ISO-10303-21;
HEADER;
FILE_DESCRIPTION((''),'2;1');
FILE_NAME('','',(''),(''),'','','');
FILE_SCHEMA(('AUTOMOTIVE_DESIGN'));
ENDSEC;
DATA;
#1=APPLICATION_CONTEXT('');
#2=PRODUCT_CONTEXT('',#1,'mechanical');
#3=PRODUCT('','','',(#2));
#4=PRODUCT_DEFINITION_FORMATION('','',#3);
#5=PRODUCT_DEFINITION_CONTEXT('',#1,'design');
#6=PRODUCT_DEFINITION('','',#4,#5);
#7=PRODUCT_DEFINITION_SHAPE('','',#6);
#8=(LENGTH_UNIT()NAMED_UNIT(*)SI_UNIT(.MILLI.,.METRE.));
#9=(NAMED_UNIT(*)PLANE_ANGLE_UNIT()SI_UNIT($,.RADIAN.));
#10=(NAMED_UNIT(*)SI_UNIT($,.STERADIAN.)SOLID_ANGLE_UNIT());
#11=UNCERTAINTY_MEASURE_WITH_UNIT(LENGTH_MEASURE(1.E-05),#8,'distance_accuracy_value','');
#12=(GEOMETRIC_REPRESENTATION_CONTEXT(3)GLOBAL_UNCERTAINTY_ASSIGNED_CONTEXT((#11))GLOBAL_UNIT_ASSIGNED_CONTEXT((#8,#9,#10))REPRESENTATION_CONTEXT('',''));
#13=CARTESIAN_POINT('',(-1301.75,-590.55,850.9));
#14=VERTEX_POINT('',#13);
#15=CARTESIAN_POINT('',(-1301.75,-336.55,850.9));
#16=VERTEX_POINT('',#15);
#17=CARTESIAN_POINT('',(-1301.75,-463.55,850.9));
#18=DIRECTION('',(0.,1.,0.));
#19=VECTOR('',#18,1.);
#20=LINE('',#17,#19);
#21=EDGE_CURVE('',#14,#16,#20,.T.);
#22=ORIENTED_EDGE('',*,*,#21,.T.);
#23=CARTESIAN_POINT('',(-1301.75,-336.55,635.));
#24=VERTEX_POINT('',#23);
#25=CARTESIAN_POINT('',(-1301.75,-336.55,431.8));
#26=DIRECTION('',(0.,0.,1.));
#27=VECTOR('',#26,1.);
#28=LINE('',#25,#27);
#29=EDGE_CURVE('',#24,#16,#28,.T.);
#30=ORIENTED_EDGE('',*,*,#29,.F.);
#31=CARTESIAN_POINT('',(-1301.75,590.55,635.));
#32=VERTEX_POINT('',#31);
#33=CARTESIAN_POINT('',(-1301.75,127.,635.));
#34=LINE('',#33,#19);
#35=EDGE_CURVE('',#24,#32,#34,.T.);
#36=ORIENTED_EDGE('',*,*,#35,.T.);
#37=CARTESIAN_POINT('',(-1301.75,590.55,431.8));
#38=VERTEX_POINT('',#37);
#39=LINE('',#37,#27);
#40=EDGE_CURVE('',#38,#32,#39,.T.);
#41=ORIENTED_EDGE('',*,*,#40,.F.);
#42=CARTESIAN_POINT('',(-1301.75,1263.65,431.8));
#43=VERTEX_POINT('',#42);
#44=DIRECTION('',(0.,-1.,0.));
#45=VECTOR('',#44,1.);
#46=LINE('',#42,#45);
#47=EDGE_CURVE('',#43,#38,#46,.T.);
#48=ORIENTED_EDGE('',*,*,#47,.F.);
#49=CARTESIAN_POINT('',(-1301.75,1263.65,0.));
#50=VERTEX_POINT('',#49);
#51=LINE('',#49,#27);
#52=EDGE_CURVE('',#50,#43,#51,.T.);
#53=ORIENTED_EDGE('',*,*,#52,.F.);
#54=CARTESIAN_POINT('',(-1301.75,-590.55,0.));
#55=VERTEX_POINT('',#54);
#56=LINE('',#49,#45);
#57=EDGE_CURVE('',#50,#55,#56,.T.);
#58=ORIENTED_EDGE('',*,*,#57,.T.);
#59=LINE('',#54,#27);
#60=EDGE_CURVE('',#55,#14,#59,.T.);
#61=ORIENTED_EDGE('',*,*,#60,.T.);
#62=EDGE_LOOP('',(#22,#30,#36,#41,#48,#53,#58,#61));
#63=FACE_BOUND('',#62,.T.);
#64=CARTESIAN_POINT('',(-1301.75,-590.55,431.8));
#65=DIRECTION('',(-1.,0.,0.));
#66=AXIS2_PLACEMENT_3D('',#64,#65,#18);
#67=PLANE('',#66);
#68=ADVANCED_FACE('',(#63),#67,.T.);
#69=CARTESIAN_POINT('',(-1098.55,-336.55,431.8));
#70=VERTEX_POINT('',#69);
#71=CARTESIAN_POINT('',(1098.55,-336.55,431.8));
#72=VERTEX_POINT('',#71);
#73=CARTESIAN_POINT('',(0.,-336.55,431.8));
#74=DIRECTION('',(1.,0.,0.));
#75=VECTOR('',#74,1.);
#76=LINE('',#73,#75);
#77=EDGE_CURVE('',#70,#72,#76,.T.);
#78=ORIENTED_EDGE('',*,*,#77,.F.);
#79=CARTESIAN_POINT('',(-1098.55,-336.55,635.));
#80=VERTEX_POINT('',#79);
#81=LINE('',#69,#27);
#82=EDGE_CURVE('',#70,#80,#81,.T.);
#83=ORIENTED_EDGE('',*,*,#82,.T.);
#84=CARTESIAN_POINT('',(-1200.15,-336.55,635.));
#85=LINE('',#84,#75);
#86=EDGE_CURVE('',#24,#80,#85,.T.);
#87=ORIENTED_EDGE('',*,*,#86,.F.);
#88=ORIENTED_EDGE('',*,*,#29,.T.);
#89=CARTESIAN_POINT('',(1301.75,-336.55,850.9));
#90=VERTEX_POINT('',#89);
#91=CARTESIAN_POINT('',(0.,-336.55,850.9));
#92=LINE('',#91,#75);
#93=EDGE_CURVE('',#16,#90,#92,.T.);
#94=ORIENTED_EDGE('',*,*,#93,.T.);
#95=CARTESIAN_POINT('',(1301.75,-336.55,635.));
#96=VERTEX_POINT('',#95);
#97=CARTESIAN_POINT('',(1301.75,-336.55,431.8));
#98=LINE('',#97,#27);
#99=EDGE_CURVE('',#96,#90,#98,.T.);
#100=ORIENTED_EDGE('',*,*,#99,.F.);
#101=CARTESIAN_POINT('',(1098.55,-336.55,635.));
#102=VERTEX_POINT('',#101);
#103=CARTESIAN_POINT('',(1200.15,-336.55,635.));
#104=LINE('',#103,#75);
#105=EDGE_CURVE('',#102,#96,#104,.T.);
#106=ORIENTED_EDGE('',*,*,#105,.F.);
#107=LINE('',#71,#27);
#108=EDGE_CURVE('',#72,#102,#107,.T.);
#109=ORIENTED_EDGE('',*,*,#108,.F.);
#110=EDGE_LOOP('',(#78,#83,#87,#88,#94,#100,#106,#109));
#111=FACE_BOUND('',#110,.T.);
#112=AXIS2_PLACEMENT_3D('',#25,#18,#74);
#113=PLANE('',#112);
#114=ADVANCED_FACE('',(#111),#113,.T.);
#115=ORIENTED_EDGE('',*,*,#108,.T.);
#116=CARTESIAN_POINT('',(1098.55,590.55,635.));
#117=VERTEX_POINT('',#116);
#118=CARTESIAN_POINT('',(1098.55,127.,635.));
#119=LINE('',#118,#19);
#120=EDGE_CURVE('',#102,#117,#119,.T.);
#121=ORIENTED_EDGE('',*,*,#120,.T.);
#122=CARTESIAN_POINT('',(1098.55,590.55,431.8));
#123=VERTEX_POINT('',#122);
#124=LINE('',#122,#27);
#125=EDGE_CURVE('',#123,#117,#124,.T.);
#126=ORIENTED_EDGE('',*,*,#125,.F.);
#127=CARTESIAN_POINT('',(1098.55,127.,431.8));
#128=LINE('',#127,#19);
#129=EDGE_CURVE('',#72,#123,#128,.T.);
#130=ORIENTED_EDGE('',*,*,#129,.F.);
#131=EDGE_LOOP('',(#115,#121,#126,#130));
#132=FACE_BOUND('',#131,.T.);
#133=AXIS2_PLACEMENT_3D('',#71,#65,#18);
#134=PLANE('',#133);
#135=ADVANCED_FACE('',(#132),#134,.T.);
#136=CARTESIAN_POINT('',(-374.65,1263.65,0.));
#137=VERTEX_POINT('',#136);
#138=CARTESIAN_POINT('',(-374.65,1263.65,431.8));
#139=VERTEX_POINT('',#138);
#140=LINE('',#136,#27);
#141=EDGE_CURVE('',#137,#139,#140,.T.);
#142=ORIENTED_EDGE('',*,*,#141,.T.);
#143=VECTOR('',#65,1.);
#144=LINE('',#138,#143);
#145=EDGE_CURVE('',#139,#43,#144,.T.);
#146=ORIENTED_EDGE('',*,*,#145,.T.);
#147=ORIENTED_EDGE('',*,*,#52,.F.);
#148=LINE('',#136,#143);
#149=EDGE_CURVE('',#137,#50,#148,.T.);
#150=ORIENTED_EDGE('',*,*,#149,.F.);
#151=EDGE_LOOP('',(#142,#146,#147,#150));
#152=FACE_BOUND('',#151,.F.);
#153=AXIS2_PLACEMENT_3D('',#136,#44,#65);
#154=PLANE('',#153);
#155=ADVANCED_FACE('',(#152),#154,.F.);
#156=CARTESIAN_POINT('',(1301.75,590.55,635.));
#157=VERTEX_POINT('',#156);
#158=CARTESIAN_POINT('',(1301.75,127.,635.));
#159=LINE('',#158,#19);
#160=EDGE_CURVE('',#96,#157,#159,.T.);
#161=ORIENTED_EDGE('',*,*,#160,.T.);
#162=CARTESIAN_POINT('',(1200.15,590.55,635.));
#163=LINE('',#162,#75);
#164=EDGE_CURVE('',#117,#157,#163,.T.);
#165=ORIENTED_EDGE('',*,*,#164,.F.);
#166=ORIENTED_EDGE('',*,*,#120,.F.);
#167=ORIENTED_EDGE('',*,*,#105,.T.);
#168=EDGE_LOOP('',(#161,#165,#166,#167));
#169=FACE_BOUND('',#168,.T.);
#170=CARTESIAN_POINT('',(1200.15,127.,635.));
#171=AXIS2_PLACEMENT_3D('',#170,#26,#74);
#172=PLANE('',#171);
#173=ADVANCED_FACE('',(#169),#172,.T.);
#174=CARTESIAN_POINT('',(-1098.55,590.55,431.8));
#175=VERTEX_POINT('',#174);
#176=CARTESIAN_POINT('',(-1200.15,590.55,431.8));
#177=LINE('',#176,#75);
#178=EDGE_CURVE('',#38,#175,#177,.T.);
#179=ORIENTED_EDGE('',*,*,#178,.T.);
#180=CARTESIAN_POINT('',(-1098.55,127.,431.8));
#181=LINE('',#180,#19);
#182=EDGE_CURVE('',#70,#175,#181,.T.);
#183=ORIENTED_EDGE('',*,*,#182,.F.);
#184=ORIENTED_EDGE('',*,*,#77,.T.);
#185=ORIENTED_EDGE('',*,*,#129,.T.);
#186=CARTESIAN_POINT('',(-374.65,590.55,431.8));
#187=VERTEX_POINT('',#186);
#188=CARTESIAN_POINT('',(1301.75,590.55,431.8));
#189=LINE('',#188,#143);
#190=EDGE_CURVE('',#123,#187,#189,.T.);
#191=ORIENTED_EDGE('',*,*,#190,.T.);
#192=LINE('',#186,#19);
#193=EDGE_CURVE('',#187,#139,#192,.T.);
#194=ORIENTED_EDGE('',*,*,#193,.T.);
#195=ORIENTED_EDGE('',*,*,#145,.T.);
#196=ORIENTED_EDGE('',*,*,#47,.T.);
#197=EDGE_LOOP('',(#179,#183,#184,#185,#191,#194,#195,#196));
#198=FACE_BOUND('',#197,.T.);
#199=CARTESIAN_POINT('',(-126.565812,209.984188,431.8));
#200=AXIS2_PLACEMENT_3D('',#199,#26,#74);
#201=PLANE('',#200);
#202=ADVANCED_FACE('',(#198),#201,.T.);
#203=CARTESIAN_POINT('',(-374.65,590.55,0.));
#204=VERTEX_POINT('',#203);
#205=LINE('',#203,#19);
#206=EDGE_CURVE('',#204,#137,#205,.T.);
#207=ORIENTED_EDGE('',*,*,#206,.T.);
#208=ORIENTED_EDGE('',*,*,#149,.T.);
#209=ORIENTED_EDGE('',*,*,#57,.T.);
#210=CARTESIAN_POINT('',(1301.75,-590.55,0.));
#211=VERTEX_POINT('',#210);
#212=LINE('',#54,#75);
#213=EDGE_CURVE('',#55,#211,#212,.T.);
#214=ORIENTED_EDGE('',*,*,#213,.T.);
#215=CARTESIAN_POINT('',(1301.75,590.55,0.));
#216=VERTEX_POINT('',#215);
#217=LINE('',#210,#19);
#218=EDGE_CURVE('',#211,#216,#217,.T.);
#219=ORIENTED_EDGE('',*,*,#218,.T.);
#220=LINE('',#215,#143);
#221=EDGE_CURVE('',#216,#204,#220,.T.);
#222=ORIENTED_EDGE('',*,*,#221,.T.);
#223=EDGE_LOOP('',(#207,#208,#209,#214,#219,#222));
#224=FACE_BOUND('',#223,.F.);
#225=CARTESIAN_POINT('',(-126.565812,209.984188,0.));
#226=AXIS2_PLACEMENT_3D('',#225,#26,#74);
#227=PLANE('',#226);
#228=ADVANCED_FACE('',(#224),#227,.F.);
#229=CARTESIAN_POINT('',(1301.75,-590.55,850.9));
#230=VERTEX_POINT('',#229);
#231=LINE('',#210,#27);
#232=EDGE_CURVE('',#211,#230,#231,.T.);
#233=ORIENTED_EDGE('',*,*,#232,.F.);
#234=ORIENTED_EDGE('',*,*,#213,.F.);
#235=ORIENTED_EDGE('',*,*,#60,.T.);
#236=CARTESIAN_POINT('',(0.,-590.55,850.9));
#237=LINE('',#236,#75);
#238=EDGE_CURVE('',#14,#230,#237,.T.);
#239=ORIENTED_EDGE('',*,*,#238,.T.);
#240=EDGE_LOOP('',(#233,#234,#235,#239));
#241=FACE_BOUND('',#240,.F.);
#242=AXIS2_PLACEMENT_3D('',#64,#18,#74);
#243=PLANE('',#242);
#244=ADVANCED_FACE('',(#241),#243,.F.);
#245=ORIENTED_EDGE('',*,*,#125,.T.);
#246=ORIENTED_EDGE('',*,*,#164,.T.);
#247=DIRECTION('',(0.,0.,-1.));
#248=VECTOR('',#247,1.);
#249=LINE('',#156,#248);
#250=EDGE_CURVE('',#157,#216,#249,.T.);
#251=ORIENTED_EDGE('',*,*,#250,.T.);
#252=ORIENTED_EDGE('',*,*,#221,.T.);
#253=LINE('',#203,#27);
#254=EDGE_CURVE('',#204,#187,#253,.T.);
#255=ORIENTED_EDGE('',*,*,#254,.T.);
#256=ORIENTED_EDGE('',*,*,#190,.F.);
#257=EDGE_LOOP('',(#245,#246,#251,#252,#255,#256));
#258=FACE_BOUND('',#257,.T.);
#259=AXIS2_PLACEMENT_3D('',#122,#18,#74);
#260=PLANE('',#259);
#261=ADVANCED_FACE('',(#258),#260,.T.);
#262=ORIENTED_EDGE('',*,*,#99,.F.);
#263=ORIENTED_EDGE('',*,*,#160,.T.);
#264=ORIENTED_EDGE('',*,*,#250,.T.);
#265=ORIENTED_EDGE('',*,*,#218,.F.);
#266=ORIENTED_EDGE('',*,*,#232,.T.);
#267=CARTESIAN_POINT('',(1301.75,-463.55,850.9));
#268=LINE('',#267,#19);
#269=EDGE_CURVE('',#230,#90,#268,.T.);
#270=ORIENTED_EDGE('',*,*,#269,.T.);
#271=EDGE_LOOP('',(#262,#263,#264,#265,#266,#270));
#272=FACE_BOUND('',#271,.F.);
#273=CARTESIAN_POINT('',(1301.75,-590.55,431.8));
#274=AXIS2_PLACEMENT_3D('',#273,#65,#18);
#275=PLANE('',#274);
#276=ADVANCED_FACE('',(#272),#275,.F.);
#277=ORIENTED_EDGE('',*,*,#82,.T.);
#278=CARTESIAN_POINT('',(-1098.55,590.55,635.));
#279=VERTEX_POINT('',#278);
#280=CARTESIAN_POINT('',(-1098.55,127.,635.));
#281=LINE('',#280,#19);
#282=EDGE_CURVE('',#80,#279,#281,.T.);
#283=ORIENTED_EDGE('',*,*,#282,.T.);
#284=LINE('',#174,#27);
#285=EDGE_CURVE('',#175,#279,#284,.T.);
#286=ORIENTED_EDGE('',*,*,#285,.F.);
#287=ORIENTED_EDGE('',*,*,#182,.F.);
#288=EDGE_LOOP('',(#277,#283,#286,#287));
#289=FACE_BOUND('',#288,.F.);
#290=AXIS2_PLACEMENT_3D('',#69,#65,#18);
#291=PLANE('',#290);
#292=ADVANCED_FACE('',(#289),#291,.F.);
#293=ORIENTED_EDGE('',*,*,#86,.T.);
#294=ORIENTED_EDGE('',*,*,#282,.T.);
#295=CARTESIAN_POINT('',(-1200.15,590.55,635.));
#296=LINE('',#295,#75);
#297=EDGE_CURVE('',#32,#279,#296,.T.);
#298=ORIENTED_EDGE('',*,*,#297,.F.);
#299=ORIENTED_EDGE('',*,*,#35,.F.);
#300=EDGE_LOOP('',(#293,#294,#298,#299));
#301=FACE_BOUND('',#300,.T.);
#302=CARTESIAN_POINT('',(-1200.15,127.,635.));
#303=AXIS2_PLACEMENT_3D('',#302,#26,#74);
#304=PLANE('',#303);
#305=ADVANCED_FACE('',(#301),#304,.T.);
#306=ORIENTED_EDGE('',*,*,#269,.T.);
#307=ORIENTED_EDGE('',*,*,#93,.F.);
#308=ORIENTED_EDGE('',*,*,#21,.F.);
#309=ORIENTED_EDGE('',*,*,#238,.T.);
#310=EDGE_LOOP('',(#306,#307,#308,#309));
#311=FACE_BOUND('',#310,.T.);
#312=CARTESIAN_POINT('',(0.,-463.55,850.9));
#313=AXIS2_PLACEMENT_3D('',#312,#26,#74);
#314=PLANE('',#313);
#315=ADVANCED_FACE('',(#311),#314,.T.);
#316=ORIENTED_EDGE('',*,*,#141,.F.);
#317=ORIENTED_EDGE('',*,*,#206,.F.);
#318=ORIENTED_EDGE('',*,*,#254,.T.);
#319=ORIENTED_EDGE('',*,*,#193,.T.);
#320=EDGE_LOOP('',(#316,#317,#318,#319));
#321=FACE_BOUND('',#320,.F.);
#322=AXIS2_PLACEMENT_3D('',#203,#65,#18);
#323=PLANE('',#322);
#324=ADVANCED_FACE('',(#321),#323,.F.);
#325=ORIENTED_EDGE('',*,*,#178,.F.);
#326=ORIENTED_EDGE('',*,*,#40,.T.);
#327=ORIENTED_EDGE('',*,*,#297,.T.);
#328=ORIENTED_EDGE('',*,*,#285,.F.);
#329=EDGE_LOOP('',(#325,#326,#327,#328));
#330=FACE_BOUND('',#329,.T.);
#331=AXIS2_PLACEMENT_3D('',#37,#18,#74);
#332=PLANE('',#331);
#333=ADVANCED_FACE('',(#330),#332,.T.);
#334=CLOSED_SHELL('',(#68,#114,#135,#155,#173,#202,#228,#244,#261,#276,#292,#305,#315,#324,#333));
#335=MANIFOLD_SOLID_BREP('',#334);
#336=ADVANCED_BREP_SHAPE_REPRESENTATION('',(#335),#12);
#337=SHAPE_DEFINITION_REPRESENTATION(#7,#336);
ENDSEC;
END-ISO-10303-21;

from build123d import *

# Parameters (mm, degrees)
F1_DEPTH = 431.8
F2_W     = 2603.5
F2_H     = 254
F3_DEPTH = 419.1
F4_W     = 203.2
F4_H     = 927.1
F5_DEPTH = 203.2


with BuildPart() as f1:
    # F0 (on Top) → F1 (new body)
    with BuildSketch(Plane.XY):
        Polygon((-374.65, 1263.65), (-1301.75, 1263.65), (-1301.75, -590.55), (1301.75, -590.55), (1301.75, 590.55), (-374.65, 590.55), align=None)
    extrude(amount=F1_DEPTH)

    # F2 (on face) → F3 (join)
    with BuildSketch(Plane.XY.offset(431.8)):
        with Locations((0, -463.55)):
            Rectangle(F2_W, F2_H)
    extrude(amount=F3_DEPTH)

    # F4 (on face) → F5 (join)
    with BuildSketch(Plane.XY.offset(431.8)):
        with Locations((1200.15, 127)):
            Rectangle(F4_W, F4_H)
        with Locations((-1200.15, 127)):
            Rectangle(F4_W, F4_H)
    extrude(amount=F5_DEPTH)


solid = f1.part
